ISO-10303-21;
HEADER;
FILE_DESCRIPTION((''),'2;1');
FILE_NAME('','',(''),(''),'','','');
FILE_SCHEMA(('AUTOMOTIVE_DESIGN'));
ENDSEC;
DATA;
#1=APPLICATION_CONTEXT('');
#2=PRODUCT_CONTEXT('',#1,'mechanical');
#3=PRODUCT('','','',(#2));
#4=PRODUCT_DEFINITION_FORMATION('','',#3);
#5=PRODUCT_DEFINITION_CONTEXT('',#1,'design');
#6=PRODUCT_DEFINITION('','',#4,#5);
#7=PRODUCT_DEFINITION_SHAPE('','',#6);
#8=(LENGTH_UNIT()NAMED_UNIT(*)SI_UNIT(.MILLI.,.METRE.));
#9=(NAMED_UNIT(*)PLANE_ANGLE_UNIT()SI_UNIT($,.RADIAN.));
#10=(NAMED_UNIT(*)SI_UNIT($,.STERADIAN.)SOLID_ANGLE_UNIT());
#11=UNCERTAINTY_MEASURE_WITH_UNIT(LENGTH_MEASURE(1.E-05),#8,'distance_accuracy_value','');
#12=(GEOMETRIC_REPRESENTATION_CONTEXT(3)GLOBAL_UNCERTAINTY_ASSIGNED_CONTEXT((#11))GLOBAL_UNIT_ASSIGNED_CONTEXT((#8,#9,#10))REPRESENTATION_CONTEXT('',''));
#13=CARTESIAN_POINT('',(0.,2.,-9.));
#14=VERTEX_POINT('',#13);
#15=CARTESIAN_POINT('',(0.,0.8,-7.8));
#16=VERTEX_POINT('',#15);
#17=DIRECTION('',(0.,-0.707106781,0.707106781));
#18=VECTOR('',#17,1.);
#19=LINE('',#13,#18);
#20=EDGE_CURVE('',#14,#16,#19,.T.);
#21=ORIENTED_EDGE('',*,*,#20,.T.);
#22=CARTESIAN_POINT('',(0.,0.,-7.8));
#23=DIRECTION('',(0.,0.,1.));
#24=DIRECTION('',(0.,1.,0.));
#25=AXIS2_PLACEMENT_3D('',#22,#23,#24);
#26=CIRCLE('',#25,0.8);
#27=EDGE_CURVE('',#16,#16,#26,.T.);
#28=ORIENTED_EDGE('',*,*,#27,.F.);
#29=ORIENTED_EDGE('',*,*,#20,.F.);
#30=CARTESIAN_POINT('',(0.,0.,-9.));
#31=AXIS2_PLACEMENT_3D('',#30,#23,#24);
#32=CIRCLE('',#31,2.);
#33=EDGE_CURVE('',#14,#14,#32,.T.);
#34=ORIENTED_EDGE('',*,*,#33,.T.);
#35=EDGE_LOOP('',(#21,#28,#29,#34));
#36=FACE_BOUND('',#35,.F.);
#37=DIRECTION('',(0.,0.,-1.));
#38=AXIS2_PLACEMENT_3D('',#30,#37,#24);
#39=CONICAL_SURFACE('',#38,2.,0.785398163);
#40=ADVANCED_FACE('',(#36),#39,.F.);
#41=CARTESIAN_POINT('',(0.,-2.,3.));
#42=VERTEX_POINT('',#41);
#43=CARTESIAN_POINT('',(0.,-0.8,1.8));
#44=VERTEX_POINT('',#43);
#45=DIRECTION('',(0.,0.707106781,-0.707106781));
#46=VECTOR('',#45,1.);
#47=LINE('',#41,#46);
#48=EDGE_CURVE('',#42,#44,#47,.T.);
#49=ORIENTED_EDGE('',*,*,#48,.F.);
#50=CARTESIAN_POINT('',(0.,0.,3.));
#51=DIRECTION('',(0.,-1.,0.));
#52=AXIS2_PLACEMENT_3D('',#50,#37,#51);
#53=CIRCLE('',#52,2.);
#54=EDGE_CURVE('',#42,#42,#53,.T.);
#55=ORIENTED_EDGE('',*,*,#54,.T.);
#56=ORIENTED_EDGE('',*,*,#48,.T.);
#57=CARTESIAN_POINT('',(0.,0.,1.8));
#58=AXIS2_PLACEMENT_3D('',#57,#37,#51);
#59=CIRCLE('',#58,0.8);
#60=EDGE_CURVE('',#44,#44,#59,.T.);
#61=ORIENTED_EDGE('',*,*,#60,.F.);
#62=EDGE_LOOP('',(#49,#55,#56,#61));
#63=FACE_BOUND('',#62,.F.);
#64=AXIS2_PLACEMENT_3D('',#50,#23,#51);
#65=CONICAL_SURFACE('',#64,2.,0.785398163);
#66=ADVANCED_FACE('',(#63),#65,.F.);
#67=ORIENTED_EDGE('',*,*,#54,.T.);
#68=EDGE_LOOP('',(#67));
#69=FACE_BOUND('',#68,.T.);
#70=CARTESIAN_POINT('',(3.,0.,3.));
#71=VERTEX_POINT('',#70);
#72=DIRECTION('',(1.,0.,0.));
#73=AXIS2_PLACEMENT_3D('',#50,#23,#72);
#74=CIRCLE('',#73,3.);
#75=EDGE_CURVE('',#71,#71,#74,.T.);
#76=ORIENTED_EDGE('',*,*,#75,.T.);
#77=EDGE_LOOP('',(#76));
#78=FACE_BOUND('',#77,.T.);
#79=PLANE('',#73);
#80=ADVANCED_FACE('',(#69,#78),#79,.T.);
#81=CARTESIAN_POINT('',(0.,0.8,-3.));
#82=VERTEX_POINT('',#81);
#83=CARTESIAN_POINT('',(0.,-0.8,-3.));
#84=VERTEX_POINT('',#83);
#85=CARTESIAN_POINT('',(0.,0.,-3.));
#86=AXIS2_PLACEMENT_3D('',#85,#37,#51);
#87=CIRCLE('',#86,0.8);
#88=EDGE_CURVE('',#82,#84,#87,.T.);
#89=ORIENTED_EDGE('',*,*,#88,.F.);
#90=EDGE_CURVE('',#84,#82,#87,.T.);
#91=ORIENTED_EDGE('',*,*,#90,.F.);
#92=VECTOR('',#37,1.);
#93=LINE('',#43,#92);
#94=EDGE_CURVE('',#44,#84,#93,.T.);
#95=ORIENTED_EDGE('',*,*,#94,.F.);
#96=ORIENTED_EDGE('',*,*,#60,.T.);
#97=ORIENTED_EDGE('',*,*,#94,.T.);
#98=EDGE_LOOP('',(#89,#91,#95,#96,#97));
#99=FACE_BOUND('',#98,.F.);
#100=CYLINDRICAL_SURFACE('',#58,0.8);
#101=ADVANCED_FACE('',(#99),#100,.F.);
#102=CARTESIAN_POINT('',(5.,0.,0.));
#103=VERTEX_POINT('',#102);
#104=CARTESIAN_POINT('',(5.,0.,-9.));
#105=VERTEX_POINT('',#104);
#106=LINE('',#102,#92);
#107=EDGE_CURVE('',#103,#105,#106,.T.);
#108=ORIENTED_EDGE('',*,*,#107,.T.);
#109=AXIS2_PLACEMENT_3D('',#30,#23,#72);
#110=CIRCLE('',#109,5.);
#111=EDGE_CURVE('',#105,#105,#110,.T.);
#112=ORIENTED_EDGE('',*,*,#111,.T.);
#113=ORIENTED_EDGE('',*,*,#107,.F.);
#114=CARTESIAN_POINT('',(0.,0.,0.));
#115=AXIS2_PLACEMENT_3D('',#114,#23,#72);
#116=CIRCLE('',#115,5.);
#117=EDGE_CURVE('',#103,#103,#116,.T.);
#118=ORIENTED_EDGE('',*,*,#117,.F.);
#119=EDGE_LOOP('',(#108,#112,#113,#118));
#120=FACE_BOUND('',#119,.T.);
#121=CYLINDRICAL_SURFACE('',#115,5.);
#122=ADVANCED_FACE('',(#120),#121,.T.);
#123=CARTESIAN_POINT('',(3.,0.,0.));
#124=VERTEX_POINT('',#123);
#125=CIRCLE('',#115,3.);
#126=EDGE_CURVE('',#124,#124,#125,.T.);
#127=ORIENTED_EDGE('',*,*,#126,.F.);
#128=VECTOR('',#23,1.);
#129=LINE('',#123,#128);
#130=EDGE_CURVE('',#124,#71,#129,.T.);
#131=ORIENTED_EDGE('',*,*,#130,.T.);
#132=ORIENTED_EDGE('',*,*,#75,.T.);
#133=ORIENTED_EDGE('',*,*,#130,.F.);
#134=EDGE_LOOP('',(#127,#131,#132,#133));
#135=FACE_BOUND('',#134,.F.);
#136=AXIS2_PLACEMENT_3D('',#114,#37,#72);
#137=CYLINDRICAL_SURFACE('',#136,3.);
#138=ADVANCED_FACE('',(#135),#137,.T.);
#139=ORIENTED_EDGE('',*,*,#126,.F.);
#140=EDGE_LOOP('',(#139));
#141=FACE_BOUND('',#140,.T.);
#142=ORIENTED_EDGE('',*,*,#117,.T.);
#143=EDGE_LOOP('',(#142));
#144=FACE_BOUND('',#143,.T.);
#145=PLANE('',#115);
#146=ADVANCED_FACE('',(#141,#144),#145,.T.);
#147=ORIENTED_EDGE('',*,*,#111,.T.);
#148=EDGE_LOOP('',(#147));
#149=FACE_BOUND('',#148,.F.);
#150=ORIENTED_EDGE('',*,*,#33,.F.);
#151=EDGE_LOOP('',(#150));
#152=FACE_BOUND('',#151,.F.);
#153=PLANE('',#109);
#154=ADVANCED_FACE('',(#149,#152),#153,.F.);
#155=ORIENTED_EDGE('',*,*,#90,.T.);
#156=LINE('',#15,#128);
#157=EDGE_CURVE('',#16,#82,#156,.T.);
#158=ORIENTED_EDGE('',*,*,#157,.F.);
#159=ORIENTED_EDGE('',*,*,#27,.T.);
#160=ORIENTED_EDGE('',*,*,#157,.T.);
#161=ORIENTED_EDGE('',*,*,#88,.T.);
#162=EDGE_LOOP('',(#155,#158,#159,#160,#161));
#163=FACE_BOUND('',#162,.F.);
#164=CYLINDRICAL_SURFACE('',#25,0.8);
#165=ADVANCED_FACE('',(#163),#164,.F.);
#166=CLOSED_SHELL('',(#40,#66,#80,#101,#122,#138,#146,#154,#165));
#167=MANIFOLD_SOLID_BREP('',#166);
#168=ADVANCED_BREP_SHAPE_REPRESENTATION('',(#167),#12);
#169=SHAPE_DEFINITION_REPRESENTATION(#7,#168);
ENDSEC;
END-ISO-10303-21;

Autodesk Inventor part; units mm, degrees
ref_plane "YZ Plane" through (0, 0, 0) normal (1, 0, 0) x (0, 1, 0)
ref_plane "XZ Plane" through (0, 0, 0) normal (0, 1, 0) x (-1, 0, 0)
ref_plane "XY Plane" through (0, 0, 0) normal (0, 0, 1) x (1, 0, 0)
sketch "Skizze1" plane through (0, 0, 0) normal (0, 0, 1) x (1, 0, 0)
  circle A0 centre (0, 0) radius 5
  dimension "d0" = 10
extrude "Extrusion1" add sketch "Skizze1" against normal blind 9
sketch "Skizze2" plane through (0, 0, 0) normal (0, 0, 1) x (1, 0, 0)
  circle A0 centre (0, 0) radius 3
  dimension "d3" = 6
extrude "Extrusion2" add sketch "Skizze2" along normal blind 3
sketch "Skizze3" plane through (0, 0, 3) normal (0, 0, 1) x (1, 0, 0)
  circle A0 centre (0, 0) radius 3 projected
hole "Bohrung1" at (0, 0, 3) direction (0, 0, -1) diameter 1.6 depth 6 countersink diameter 4 countersink angle 90
sketch "Skizze4" plane through (0, 0, -9) normal (0, 0, -1) x (-1, 0, 0)
  circle A0 centre (0, 0) radius 5 projected
hole "Bohrung2" at (0, 0, -9) direction (0, 0, 1) diameter 1.6 depth 6 countersink diameter 4 countersink angle 90
properties part number "Führungsbüchse" material "Kupfer"
